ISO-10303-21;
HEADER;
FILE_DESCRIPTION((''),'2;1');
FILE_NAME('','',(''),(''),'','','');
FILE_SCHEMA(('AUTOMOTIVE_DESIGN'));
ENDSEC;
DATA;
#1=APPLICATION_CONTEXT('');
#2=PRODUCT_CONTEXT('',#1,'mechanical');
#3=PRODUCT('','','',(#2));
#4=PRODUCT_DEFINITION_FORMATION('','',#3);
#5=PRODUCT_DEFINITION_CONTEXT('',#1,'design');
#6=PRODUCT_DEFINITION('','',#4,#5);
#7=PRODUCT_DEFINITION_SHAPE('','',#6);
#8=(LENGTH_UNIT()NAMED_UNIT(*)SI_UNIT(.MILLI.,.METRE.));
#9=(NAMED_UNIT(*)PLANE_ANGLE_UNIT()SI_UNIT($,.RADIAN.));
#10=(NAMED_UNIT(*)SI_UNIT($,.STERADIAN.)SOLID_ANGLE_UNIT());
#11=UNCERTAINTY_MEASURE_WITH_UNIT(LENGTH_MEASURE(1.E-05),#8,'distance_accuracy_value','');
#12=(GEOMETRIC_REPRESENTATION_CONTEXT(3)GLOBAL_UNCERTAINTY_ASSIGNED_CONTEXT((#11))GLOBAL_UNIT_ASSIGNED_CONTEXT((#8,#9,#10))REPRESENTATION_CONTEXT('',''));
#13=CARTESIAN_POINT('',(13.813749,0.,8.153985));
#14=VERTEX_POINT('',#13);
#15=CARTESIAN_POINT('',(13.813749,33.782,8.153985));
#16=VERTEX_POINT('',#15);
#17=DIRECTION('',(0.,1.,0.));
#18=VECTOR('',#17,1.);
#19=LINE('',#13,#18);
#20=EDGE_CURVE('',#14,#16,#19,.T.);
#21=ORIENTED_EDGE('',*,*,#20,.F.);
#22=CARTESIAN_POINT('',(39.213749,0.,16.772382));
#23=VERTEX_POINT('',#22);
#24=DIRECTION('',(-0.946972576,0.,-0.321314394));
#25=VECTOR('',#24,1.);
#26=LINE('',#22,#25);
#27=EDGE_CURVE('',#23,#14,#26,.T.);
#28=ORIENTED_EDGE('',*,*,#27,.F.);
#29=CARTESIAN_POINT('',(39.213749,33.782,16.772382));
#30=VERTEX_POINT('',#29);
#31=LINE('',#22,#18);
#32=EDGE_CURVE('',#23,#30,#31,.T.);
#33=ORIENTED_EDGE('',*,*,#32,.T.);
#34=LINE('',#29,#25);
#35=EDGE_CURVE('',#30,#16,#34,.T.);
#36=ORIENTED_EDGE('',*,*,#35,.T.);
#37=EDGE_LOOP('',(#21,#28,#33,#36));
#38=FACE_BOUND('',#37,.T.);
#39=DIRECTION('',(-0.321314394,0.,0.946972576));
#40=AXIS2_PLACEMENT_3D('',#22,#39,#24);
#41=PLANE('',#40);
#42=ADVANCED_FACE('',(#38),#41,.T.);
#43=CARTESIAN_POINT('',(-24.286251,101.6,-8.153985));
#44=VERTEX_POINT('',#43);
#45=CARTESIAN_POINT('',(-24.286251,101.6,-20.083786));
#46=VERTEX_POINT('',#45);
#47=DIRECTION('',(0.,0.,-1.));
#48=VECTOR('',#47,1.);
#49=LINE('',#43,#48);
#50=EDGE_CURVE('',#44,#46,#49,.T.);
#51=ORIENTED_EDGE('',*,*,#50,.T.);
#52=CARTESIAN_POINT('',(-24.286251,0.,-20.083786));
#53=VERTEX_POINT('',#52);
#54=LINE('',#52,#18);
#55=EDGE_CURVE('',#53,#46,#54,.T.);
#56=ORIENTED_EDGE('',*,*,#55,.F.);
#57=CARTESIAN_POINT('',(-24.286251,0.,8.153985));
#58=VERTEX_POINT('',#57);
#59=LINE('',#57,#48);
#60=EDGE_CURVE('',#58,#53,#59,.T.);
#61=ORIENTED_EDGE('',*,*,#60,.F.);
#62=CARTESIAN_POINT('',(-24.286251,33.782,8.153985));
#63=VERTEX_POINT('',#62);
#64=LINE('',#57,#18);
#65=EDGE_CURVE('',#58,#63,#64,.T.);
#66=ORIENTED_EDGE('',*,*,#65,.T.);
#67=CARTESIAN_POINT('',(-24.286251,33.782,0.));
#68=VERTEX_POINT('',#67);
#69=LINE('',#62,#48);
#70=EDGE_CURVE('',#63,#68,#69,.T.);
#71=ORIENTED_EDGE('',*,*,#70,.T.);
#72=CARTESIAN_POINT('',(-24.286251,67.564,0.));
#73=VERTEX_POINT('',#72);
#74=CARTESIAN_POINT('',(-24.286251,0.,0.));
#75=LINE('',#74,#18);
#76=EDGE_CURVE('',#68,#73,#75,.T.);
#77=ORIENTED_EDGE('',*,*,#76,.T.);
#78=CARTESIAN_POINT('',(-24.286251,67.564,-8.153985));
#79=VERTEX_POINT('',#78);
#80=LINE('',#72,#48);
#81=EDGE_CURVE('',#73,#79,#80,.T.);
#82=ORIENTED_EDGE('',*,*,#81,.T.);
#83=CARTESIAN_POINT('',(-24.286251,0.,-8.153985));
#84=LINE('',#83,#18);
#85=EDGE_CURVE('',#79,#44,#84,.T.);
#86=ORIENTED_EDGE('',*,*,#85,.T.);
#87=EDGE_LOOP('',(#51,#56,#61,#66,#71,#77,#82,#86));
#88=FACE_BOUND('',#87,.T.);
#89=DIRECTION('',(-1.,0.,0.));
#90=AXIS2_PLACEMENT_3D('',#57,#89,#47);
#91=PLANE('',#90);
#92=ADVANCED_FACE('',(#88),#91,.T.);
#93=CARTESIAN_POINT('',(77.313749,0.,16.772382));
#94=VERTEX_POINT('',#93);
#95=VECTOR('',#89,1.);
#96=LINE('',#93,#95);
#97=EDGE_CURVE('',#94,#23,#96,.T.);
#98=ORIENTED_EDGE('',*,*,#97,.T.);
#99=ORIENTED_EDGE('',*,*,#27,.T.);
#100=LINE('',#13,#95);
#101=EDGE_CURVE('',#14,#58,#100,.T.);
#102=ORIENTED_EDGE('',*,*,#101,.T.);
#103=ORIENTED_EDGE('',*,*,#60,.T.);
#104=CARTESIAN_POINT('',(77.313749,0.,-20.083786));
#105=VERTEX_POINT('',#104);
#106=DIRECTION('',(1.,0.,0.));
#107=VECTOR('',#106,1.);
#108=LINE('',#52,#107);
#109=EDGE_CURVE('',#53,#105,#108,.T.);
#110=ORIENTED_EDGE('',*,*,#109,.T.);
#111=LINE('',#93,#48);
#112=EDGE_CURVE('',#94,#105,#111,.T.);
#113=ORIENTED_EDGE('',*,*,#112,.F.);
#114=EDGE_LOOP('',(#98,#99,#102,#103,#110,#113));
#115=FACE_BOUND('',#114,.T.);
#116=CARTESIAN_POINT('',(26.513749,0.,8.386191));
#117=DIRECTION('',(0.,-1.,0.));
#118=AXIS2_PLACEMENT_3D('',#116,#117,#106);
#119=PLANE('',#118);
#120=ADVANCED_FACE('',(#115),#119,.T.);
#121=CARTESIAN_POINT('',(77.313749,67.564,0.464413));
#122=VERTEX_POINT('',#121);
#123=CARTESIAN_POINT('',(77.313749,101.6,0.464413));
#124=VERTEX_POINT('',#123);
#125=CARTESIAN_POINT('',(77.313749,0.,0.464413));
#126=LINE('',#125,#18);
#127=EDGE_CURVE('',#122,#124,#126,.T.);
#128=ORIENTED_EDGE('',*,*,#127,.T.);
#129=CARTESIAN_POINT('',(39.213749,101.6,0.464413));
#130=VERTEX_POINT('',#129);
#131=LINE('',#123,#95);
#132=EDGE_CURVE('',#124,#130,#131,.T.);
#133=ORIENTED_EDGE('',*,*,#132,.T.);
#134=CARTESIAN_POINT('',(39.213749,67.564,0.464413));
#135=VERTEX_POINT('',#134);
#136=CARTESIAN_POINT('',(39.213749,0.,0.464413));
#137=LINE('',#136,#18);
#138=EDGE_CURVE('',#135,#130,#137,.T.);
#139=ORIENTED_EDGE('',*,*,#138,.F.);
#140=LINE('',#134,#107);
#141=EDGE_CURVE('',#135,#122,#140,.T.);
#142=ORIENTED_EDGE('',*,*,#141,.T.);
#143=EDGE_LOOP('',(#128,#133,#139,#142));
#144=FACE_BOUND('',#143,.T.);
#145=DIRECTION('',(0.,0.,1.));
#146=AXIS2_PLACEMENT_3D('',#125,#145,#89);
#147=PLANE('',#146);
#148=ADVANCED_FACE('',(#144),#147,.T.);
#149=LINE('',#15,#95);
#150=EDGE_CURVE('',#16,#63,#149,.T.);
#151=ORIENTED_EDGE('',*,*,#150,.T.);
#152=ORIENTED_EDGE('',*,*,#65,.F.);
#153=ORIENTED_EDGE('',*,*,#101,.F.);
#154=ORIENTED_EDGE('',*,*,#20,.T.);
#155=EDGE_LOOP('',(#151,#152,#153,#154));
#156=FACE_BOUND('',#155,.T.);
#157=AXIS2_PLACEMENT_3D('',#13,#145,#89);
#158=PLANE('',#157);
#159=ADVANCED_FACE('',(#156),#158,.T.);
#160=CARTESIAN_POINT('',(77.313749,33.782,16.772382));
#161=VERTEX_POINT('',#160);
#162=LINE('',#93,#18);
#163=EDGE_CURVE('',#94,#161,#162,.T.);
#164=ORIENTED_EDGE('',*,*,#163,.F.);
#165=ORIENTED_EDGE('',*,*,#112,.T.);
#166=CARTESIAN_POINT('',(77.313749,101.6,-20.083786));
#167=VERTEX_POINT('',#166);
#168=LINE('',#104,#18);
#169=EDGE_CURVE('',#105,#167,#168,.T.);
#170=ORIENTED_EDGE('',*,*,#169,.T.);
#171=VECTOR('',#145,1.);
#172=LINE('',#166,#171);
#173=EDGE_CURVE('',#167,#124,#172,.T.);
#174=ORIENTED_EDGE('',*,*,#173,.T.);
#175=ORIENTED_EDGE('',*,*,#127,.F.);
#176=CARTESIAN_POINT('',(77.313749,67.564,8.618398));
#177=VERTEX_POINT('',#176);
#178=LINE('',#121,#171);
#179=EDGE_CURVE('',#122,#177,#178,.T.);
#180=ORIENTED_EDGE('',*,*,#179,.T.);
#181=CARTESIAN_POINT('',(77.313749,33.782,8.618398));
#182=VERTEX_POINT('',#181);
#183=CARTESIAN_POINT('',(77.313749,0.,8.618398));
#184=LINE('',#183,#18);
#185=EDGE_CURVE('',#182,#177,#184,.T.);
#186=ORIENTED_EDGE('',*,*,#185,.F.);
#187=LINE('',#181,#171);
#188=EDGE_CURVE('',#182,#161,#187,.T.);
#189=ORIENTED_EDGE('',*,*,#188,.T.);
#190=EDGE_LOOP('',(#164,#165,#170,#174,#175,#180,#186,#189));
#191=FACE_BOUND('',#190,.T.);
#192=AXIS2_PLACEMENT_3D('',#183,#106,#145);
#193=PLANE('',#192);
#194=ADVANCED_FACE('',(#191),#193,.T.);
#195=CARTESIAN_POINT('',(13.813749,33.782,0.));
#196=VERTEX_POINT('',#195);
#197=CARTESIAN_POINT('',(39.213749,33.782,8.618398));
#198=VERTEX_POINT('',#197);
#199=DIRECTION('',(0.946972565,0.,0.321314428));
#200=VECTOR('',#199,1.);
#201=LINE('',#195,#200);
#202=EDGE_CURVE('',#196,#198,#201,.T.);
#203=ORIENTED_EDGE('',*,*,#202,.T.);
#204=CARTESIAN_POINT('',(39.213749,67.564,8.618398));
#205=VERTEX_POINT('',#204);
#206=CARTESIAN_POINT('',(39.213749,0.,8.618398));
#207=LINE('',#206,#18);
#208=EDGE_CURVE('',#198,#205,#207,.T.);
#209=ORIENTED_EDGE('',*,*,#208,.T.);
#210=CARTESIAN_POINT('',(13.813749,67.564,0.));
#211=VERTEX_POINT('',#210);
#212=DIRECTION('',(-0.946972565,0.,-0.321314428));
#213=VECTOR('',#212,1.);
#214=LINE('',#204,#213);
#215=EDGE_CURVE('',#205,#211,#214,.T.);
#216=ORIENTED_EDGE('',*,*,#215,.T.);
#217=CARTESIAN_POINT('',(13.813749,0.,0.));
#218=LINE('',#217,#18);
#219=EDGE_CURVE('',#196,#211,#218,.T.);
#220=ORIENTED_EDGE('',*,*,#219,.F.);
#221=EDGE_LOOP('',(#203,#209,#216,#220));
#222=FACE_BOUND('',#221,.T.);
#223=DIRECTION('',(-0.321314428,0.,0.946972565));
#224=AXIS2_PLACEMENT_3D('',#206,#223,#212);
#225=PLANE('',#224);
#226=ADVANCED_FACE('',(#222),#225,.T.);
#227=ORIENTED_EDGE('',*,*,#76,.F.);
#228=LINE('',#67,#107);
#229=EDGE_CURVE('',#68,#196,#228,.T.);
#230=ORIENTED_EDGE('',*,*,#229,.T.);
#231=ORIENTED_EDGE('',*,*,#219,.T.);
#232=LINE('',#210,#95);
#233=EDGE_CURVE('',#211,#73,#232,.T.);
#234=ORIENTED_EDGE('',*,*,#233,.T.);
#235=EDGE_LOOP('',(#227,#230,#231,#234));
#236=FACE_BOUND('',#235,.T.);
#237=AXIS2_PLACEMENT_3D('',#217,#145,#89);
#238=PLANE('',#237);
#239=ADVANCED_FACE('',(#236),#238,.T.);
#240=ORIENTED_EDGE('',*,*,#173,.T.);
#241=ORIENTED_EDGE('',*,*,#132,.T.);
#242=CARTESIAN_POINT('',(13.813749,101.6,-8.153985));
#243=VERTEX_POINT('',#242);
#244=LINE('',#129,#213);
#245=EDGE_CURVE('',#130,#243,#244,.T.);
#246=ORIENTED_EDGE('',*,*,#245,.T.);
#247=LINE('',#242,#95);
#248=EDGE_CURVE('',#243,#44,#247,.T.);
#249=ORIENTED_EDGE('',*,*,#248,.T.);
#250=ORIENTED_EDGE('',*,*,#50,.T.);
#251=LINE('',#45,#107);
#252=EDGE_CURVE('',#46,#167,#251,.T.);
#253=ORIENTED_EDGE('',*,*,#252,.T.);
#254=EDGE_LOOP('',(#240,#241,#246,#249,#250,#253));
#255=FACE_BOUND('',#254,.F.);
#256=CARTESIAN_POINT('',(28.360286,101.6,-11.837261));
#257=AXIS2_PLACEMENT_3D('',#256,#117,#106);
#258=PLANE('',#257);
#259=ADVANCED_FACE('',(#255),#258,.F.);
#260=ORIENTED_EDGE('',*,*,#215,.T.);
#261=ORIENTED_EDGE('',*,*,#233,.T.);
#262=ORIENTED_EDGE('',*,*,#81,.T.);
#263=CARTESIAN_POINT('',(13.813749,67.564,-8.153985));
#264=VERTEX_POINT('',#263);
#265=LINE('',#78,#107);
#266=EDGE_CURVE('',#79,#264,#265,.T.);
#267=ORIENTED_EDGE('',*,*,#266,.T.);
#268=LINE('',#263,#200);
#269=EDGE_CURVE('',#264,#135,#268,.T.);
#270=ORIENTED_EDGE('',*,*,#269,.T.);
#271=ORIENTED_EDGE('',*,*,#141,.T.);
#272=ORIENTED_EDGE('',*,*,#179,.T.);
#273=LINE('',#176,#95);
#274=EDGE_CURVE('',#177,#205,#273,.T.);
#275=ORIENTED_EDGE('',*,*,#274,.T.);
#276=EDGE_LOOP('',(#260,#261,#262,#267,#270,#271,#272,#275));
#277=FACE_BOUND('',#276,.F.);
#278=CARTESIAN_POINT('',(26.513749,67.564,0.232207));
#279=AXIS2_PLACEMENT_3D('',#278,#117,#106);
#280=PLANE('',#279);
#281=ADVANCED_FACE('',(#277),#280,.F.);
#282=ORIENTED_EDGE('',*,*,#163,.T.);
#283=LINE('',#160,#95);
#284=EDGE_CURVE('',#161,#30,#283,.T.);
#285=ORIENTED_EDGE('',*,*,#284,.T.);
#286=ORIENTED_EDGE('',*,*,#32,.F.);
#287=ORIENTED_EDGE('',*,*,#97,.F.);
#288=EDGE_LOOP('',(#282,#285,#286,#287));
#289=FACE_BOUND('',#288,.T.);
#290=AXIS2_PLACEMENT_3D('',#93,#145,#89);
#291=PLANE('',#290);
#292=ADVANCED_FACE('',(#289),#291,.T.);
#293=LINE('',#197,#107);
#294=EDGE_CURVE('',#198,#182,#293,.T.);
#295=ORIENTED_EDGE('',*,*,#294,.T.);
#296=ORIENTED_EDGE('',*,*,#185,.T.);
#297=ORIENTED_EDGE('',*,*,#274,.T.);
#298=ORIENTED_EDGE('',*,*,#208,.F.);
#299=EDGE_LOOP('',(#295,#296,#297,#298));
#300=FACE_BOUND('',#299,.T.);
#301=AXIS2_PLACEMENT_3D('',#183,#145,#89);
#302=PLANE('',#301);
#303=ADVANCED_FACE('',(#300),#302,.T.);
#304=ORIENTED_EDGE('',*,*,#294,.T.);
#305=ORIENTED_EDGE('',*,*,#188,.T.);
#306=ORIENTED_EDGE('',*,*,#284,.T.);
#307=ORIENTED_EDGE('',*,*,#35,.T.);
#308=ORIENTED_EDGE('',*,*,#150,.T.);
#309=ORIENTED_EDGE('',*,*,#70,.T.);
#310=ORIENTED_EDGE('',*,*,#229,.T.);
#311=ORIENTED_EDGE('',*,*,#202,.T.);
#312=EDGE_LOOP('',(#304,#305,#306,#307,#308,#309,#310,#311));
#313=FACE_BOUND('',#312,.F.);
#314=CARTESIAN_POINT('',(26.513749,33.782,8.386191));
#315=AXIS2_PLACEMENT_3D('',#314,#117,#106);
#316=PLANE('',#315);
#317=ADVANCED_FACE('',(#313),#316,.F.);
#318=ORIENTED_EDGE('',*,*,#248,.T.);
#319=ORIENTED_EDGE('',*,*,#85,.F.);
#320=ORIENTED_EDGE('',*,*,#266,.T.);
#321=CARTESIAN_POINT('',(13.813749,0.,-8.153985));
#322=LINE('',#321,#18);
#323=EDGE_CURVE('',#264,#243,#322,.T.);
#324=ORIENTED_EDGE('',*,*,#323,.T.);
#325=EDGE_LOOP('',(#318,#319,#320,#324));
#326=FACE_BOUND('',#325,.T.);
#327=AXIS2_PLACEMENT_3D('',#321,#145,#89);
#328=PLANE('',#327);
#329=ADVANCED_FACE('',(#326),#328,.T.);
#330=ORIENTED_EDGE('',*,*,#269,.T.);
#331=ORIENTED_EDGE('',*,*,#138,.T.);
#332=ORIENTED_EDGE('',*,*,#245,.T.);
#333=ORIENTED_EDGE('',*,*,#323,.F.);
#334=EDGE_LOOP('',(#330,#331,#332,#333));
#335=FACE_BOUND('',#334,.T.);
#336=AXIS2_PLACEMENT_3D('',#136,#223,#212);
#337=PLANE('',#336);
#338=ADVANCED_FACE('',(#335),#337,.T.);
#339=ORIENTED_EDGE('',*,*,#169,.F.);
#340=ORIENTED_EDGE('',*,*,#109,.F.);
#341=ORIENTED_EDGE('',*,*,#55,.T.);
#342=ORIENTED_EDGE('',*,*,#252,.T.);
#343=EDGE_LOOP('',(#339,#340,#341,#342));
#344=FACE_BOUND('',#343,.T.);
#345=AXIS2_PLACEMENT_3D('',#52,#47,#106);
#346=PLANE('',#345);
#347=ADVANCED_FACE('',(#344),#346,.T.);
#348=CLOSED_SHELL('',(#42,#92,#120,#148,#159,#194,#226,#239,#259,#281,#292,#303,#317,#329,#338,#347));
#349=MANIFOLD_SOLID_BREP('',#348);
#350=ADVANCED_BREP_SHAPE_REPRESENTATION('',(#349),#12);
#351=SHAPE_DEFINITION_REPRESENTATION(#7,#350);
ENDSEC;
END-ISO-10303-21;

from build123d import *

# Parameters (mm, degrees)
F1_DEPTH = 101.6
F2_DEPTH = 67.564
F3_DEPTH = 33.782


with BuildPart() as f1:
    # F0 (on Front) → F1 (new body)
    with BuildSketch(Plane.XZ):
        Polygon((-24.286251, -20.083786), (77.313749, -20.083786), (77.313749, 0.464413), (39.213749, 0.464413), (13.813749, -8.153985), (-24.286251, -8.153985), align=None)
    extrude(amount=-F1_DEPTH)

    # F0 (on Front) → F2 (join)
    with BuildSketch(Plane.XZ):
        Polygon((39.213749, 0.464413), (77.313749, 0.464413), (77.313749, 8.618398), (39.213749, 8.618398), (13.813749, 0), (-24.286251, 0), (-24.286251, -8.153985), (13.813749, -8.153985), align=None)
    extrude(amount=-F2_DEPTH)

    # F0 (on Front) → F3 (join)
    with BuildSketch(Plane.XZ):
        Polygon((39.213749, 8.618398), (77.313749, 8.618398), (77.313749, 16.772382), (39.213749, 16.772382), (13.813749, 8.153985), (-24.286251, 8.153985), (-24.286251, 0), (13.813749, 0), align=None)
    extrude(amount=-F3_DEPTH)


solid = f1.part
